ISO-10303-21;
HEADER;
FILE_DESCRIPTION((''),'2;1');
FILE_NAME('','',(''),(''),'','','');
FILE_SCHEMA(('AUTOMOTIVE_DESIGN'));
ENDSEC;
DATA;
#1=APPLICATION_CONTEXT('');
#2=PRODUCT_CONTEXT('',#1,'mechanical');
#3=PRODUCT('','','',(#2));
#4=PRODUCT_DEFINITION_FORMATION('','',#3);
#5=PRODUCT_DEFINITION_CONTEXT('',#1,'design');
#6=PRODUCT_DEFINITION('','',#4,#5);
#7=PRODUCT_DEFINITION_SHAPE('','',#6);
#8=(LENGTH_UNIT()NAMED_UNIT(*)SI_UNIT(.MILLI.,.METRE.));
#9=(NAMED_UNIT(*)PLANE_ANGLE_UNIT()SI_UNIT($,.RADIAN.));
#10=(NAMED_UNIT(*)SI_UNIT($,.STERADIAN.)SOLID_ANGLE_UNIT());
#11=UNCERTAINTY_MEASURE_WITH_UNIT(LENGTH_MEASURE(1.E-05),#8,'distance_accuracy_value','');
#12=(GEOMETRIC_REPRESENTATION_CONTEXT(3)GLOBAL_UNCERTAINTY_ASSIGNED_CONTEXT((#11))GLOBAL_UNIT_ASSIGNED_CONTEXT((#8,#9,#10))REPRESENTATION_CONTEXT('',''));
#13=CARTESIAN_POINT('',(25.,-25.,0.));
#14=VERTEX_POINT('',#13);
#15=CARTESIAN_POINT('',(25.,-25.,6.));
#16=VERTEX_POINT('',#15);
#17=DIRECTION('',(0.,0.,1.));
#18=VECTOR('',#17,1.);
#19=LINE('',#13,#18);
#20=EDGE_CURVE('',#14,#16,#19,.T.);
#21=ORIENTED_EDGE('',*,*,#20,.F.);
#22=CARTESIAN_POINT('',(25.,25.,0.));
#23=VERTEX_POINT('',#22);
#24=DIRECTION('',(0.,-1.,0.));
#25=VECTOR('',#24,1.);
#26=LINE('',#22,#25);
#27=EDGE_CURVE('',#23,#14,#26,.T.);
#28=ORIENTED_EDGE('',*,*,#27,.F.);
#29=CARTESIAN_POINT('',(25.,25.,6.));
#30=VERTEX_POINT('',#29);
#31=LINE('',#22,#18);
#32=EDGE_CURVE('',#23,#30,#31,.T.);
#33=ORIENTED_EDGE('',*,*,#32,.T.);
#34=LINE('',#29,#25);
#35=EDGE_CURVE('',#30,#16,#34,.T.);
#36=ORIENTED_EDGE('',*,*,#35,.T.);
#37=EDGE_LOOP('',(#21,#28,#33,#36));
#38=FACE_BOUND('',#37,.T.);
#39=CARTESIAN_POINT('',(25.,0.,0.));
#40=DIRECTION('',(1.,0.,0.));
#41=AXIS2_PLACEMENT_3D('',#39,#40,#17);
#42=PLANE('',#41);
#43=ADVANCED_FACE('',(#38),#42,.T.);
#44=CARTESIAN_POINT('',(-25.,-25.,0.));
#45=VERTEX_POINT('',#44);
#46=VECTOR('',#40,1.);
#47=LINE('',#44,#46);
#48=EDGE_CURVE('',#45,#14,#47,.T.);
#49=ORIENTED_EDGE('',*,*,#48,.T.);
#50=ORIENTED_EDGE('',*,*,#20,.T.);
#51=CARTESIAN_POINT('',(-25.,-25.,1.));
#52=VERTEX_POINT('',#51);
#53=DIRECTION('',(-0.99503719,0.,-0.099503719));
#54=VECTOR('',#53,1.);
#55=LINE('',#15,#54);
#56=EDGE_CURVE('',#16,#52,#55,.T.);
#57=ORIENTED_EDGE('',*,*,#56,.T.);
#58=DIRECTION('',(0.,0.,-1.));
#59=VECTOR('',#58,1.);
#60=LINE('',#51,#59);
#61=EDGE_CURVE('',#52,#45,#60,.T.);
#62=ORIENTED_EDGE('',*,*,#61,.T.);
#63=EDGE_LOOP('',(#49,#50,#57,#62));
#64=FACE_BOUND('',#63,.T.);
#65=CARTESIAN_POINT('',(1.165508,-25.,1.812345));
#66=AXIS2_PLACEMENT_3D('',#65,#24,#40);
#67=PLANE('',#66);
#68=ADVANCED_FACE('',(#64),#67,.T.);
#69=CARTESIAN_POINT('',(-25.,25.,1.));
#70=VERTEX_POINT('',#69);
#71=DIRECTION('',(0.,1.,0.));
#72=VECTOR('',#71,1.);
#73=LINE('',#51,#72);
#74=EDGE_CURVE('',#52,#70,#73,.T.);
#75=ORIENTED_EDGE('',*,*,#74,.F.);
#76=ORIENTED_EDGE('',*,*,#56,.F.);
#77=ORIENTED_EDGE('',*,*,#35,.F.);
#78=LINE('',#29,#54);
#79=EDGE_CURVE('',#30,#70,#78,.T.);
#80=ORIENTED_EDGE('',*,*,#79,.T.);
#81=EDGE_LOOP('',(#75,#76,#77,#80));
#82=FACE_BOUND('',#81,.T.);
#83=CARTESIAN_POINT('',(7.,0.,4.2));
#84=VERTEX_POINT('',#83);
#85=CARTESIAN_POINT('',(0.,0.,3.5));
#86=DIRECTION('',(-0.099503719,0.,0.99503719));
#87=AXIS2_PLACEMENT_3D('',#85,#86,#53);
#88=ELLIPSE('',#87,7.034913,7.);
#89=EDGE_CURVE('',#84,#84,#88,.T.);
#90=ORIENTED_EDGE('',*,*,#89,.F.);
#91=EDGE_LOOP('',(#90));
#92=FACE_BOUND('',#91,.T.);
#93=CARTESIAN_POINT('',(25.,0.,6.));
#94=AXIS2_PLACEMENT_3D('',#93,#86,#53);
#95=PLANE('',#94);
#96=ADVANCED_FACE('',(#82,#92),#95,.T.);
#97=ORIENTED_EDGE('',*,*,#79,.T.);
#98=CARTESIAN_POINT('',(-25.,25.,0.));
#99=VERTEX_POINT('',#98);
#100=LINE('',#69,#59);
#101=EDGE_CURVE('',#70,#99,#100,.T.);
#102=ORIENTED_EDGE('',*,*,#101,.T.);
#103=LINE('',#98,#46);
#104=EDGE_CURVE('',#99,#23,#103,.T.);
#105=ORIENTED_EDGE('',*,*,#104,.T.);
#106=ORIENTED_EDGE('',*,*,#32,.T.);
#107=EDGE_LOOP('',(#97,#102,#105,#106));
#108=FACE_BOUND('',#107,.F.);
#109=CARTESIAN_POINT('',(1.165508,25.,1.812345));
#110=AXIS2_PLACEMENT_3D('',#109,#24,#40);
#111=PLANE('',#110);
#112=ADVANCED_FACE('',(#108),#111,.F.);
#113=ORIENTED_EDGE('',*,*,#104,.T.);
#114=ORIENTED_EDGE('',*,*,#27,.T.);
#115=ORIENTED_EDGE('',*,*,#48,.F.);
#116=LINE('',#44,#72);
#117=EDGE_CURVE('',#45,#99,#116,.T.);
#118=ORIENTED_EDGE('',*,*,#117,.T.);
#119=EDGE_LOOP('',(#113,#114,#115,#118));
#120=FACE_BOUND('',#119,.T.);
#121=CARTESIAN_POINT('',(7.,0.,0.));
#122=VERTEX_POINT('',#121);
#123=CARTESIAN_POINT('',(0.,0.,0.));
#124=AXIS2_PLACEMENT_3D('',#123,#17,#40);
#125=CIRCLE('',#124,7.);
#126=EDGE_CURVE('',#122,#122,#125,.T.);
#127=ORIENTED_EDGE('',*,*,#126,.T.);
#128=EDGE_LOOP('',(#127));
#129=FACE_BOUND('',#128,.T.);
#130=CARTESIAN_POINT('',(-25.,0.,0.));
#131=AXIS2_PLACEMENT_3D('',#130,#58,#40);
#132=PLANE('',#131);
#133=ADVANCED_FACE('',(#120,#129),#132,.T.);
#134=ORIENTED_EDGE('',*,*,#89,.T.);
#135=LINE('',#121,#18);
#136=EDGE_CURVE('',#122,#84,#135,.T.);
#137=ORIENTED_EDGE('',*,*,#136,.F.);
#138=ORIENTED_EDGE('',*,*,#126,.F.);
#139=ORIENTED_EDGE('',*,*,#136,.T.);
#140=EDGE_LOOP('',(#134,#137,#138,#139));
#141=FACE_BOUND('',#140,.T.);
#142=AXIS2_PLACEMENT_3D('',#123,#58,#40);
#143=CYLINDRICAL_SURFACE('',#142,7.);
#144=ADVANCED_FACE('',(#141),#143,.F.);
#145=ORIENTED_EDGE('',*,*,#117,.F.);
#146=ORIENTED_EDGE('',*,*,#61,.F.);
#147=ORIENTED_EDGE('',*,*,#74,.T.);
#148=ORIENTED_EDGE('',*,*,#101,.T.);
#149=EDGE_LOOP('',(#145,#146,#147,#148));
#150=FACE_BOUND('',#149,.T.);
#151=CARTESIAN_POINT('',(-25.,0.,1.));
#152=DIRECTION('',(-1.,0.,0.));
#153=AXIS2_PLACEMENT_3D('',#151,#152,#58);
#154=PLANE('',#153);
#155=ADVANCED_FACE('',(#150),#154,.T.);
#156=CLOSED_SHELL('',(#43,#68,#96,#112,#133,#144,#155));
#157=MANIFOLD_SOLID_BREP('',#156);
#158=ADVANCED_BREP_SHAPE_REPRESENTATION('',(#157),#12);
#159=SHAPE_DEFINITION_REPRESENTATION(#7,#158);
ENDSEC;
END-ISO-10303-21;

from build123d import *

# Parameters (mm, degrees)
F1_DEPTH      = 25
F1_DEPTH_BACK = 25
F2_R          = 7
F3_DEPTH      = 25
F3_DEPTH_BACK = 32.4


with BuildPart() as f1:
    # F0 (on Front) → F1 (new body, two sides)
    with BuildSketch(Plane.XZ) as f1_sk:
        Polygon((-25, 0), (25, 0), (25, 6), (-25, 1), align=None)
    extrude(amount=F1_DEPTH)
    extrude(f1_sk.sketch, amount=-F1_DEPTH_BACK)

    # F2 (on Top) → F3 (cut, two sides)
    with BuildSketch(Plane.XY) as f3_sk:
        Circle(F2_R)
    extrude(amount=-F3_DEPTH, mode=Mode.SUBTRACT)
    extrude(f3_sk.sketch, amount=F3_DEPTH_BACK, mode=Mode.SUBTRACT)


solid = f1.part
